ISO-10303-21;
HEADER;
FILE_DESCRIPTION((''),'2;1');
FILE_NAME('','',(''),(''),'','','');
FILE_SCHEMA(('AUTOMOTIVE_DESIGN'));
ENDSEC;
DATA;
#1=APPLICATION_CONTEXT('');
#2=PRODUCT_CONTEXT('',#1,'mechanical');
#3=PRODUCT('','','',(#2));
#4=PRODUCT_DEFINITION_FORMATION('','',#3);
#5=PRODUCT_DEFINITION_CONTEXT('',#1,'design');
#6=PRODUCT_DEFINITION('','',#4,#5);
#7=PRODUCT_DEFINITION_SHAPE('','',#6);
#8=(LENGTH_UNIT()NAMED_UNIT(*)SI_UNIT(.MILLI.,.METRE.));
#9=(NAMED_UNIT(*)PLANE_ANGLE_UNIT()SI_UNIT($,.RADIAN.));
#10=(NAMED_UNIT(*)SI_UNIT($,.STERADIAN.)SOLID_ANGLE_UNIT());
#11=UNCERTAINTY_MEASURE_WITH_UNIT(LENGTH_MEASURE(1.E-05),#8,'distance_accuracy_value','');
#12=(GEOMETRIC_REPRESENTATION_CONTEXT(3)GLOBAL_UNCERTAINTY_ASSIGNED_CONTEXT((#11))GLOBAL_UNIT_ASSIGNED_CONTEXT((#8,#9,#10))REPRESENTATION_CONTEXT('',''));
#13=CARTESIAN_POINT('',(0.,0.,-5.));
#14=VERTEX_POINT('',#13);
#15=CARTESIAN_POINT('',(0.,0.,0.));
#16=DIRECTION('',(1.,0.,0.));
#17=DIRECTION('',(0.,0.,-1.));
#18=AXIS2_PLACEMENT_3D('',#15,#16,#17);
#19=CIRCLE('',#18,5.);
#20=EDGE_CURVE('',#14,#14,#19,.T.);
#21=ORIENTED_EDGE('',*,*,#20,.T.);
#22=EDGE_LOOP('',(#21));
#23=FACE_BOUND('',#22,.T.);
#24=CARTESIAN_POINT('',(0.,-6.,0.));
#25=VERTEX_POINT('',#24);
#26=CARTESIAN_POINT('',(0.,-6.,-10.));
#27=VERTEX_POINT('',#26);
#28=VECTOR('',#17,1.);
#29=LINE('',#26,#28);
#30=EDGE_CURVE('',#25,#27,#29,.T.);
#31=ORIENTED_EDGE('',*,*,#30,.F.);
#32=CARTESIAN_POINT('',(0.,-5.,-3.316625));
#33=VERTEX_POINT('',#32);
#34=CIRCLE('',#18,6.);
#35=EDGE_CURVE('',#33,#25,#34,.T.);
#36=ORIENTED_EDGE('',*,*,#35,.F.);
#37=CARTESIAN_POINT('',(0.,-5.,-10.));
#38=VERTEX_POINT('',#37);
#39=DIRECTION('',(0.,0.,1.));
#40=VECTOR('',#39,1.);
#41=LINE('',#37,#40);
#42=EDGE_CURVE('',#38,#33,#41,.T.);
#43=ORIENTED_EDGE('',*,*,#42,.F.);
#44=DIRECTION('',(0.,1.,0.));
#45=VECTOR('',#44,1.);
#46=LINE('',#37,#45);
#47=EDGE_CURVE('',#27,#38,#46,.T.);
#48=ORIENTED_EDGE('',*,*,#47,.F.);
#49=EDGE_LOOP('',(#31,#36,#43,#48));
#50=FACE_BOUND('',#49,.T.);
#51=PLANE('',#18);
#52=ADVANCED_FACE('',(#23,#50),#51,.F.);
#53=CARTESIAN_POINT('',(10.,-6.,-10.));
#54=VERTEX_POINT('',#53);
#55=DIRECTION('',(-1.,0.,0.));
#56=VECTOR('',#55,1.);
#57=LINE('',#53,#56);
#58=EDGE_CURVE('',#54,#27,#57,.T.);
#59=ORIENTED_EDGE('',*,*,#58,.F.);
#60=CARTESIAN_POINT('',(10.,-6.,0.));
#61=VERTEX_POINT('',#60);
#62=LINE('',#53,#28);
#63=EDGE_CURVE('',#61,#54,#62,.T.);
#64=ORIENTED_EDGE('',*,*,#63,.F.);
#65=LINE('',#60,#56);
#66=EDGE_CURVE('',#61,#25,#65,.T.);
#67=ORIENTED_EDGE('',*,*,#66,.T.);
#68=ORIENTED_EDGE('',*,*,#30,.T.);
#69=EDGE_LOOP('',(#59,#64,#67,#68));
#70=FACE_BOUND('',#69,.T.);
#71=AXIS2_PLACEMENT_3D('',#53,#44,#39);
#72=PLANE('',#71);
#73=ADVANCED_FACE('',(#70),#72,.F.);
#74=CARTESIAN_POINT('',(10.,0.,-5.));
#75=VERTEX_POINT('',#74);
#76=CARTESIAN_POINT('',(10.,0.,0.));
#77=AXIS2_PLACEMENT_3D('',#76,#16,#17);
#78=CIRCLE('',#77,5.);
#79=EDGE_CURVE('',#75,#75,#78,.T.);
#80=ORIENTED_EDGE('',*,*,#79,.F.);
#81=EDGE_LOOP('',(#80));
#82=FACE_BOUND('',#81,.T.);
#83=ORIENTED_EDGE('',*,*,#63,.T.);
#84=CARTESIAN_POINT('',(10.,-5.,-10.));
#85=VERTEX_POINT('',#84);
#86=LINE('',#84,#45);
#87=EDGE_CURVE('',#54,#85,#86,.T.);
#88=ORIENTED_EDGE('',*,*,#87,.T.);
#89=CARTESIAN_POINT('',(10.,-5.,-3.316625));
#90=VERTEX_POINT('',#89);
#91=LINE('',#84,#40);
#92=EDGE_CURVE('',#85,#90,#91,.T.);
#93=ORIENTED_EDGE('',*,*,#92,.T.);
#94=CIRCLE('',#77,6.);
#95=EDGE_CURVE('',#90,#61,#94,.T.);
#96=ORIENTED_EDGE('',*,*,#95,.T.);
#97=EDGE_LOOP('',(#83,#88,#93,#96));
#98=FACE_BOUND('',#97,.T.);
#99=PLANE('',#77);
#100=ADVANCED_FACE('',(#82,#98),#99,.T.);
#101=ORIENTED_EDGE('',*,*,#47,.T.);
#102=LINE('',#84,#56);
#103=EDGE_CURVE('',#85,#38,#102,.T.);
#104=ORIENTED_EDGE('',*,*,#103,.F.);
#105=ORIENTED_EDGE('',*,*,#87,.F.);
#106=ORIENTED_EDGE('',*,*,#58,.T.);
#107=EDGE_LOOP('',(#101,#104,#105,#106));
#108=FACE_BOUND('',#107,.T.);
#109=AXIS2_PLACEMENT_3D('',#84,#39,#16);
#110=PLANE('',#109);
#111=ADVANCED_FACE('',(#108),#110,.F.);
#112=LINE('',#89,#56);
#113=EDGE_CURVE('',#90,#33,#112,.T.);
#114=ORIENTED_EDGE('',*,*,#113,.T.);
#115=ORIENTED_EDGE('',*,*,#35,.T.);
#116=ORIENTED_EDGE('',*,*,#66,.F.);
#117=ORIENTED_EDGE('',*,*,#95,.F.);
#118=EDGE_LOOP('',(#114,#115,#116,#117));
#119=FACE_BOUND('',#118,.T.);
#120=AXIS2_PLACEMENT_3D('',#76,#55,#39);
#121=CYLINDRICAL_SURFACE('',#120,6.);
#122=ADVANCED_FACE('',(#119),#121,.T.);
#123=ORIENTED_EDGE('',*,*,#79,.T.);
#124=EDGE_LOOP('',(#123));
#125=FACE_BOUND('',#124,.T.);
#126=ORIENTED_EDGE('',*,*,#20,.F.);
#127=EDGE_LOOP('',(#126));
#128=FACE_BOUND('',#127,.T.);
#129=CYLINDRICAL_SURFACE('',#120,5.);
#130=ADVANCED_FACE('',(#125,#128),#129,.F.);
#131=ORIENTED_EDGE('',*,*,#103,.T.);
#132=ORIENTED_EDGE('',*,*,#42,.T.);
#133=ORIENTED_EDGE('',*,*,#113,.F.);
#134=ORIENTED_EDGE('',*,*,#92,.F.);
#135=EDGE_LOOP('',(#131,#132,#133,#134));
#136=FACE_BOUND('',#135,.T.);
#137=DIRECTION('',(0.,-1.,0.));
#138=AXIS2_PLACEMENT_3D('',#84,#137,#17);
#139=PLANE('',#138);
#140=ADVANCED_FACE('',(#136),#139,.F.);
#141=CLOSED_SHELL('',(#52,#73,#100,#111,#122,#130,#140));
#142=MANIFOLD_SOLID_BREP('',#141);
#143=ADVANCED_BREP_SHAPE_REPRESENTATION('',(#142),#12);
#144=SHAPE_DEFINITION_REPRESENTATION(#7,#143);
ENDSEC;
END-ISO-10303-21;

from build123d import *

# Parameters (mm, degrees)
SKETCH1_R           = 5
BOSS_EXTRUDE1_DEPTH = 10


with BuildPart() as part:
    # Sketch1 → Boss-Extrude1 (new body)
    with BuildSketch(Plane(origin=(0, 0, 0), x_dir=(0, 0, -1), z_dir=(1, 0, 0))):
        with BuildLine():
            Line((10, -5), (3.31662479, -5))
            ThreePointArc((3.31662479, -5), (-1.732050808, 5.744562647), (0, -6))
            Line((0, -6), (10, -6))
            Line((10, -6), (10, -5))
        make_face()
        Circle(SKETCH1_R, mode=Mode.SUBTRACT)
    extrude(amount=BOSS_EXTRUDE1_DEPTH)


solid = part.part
